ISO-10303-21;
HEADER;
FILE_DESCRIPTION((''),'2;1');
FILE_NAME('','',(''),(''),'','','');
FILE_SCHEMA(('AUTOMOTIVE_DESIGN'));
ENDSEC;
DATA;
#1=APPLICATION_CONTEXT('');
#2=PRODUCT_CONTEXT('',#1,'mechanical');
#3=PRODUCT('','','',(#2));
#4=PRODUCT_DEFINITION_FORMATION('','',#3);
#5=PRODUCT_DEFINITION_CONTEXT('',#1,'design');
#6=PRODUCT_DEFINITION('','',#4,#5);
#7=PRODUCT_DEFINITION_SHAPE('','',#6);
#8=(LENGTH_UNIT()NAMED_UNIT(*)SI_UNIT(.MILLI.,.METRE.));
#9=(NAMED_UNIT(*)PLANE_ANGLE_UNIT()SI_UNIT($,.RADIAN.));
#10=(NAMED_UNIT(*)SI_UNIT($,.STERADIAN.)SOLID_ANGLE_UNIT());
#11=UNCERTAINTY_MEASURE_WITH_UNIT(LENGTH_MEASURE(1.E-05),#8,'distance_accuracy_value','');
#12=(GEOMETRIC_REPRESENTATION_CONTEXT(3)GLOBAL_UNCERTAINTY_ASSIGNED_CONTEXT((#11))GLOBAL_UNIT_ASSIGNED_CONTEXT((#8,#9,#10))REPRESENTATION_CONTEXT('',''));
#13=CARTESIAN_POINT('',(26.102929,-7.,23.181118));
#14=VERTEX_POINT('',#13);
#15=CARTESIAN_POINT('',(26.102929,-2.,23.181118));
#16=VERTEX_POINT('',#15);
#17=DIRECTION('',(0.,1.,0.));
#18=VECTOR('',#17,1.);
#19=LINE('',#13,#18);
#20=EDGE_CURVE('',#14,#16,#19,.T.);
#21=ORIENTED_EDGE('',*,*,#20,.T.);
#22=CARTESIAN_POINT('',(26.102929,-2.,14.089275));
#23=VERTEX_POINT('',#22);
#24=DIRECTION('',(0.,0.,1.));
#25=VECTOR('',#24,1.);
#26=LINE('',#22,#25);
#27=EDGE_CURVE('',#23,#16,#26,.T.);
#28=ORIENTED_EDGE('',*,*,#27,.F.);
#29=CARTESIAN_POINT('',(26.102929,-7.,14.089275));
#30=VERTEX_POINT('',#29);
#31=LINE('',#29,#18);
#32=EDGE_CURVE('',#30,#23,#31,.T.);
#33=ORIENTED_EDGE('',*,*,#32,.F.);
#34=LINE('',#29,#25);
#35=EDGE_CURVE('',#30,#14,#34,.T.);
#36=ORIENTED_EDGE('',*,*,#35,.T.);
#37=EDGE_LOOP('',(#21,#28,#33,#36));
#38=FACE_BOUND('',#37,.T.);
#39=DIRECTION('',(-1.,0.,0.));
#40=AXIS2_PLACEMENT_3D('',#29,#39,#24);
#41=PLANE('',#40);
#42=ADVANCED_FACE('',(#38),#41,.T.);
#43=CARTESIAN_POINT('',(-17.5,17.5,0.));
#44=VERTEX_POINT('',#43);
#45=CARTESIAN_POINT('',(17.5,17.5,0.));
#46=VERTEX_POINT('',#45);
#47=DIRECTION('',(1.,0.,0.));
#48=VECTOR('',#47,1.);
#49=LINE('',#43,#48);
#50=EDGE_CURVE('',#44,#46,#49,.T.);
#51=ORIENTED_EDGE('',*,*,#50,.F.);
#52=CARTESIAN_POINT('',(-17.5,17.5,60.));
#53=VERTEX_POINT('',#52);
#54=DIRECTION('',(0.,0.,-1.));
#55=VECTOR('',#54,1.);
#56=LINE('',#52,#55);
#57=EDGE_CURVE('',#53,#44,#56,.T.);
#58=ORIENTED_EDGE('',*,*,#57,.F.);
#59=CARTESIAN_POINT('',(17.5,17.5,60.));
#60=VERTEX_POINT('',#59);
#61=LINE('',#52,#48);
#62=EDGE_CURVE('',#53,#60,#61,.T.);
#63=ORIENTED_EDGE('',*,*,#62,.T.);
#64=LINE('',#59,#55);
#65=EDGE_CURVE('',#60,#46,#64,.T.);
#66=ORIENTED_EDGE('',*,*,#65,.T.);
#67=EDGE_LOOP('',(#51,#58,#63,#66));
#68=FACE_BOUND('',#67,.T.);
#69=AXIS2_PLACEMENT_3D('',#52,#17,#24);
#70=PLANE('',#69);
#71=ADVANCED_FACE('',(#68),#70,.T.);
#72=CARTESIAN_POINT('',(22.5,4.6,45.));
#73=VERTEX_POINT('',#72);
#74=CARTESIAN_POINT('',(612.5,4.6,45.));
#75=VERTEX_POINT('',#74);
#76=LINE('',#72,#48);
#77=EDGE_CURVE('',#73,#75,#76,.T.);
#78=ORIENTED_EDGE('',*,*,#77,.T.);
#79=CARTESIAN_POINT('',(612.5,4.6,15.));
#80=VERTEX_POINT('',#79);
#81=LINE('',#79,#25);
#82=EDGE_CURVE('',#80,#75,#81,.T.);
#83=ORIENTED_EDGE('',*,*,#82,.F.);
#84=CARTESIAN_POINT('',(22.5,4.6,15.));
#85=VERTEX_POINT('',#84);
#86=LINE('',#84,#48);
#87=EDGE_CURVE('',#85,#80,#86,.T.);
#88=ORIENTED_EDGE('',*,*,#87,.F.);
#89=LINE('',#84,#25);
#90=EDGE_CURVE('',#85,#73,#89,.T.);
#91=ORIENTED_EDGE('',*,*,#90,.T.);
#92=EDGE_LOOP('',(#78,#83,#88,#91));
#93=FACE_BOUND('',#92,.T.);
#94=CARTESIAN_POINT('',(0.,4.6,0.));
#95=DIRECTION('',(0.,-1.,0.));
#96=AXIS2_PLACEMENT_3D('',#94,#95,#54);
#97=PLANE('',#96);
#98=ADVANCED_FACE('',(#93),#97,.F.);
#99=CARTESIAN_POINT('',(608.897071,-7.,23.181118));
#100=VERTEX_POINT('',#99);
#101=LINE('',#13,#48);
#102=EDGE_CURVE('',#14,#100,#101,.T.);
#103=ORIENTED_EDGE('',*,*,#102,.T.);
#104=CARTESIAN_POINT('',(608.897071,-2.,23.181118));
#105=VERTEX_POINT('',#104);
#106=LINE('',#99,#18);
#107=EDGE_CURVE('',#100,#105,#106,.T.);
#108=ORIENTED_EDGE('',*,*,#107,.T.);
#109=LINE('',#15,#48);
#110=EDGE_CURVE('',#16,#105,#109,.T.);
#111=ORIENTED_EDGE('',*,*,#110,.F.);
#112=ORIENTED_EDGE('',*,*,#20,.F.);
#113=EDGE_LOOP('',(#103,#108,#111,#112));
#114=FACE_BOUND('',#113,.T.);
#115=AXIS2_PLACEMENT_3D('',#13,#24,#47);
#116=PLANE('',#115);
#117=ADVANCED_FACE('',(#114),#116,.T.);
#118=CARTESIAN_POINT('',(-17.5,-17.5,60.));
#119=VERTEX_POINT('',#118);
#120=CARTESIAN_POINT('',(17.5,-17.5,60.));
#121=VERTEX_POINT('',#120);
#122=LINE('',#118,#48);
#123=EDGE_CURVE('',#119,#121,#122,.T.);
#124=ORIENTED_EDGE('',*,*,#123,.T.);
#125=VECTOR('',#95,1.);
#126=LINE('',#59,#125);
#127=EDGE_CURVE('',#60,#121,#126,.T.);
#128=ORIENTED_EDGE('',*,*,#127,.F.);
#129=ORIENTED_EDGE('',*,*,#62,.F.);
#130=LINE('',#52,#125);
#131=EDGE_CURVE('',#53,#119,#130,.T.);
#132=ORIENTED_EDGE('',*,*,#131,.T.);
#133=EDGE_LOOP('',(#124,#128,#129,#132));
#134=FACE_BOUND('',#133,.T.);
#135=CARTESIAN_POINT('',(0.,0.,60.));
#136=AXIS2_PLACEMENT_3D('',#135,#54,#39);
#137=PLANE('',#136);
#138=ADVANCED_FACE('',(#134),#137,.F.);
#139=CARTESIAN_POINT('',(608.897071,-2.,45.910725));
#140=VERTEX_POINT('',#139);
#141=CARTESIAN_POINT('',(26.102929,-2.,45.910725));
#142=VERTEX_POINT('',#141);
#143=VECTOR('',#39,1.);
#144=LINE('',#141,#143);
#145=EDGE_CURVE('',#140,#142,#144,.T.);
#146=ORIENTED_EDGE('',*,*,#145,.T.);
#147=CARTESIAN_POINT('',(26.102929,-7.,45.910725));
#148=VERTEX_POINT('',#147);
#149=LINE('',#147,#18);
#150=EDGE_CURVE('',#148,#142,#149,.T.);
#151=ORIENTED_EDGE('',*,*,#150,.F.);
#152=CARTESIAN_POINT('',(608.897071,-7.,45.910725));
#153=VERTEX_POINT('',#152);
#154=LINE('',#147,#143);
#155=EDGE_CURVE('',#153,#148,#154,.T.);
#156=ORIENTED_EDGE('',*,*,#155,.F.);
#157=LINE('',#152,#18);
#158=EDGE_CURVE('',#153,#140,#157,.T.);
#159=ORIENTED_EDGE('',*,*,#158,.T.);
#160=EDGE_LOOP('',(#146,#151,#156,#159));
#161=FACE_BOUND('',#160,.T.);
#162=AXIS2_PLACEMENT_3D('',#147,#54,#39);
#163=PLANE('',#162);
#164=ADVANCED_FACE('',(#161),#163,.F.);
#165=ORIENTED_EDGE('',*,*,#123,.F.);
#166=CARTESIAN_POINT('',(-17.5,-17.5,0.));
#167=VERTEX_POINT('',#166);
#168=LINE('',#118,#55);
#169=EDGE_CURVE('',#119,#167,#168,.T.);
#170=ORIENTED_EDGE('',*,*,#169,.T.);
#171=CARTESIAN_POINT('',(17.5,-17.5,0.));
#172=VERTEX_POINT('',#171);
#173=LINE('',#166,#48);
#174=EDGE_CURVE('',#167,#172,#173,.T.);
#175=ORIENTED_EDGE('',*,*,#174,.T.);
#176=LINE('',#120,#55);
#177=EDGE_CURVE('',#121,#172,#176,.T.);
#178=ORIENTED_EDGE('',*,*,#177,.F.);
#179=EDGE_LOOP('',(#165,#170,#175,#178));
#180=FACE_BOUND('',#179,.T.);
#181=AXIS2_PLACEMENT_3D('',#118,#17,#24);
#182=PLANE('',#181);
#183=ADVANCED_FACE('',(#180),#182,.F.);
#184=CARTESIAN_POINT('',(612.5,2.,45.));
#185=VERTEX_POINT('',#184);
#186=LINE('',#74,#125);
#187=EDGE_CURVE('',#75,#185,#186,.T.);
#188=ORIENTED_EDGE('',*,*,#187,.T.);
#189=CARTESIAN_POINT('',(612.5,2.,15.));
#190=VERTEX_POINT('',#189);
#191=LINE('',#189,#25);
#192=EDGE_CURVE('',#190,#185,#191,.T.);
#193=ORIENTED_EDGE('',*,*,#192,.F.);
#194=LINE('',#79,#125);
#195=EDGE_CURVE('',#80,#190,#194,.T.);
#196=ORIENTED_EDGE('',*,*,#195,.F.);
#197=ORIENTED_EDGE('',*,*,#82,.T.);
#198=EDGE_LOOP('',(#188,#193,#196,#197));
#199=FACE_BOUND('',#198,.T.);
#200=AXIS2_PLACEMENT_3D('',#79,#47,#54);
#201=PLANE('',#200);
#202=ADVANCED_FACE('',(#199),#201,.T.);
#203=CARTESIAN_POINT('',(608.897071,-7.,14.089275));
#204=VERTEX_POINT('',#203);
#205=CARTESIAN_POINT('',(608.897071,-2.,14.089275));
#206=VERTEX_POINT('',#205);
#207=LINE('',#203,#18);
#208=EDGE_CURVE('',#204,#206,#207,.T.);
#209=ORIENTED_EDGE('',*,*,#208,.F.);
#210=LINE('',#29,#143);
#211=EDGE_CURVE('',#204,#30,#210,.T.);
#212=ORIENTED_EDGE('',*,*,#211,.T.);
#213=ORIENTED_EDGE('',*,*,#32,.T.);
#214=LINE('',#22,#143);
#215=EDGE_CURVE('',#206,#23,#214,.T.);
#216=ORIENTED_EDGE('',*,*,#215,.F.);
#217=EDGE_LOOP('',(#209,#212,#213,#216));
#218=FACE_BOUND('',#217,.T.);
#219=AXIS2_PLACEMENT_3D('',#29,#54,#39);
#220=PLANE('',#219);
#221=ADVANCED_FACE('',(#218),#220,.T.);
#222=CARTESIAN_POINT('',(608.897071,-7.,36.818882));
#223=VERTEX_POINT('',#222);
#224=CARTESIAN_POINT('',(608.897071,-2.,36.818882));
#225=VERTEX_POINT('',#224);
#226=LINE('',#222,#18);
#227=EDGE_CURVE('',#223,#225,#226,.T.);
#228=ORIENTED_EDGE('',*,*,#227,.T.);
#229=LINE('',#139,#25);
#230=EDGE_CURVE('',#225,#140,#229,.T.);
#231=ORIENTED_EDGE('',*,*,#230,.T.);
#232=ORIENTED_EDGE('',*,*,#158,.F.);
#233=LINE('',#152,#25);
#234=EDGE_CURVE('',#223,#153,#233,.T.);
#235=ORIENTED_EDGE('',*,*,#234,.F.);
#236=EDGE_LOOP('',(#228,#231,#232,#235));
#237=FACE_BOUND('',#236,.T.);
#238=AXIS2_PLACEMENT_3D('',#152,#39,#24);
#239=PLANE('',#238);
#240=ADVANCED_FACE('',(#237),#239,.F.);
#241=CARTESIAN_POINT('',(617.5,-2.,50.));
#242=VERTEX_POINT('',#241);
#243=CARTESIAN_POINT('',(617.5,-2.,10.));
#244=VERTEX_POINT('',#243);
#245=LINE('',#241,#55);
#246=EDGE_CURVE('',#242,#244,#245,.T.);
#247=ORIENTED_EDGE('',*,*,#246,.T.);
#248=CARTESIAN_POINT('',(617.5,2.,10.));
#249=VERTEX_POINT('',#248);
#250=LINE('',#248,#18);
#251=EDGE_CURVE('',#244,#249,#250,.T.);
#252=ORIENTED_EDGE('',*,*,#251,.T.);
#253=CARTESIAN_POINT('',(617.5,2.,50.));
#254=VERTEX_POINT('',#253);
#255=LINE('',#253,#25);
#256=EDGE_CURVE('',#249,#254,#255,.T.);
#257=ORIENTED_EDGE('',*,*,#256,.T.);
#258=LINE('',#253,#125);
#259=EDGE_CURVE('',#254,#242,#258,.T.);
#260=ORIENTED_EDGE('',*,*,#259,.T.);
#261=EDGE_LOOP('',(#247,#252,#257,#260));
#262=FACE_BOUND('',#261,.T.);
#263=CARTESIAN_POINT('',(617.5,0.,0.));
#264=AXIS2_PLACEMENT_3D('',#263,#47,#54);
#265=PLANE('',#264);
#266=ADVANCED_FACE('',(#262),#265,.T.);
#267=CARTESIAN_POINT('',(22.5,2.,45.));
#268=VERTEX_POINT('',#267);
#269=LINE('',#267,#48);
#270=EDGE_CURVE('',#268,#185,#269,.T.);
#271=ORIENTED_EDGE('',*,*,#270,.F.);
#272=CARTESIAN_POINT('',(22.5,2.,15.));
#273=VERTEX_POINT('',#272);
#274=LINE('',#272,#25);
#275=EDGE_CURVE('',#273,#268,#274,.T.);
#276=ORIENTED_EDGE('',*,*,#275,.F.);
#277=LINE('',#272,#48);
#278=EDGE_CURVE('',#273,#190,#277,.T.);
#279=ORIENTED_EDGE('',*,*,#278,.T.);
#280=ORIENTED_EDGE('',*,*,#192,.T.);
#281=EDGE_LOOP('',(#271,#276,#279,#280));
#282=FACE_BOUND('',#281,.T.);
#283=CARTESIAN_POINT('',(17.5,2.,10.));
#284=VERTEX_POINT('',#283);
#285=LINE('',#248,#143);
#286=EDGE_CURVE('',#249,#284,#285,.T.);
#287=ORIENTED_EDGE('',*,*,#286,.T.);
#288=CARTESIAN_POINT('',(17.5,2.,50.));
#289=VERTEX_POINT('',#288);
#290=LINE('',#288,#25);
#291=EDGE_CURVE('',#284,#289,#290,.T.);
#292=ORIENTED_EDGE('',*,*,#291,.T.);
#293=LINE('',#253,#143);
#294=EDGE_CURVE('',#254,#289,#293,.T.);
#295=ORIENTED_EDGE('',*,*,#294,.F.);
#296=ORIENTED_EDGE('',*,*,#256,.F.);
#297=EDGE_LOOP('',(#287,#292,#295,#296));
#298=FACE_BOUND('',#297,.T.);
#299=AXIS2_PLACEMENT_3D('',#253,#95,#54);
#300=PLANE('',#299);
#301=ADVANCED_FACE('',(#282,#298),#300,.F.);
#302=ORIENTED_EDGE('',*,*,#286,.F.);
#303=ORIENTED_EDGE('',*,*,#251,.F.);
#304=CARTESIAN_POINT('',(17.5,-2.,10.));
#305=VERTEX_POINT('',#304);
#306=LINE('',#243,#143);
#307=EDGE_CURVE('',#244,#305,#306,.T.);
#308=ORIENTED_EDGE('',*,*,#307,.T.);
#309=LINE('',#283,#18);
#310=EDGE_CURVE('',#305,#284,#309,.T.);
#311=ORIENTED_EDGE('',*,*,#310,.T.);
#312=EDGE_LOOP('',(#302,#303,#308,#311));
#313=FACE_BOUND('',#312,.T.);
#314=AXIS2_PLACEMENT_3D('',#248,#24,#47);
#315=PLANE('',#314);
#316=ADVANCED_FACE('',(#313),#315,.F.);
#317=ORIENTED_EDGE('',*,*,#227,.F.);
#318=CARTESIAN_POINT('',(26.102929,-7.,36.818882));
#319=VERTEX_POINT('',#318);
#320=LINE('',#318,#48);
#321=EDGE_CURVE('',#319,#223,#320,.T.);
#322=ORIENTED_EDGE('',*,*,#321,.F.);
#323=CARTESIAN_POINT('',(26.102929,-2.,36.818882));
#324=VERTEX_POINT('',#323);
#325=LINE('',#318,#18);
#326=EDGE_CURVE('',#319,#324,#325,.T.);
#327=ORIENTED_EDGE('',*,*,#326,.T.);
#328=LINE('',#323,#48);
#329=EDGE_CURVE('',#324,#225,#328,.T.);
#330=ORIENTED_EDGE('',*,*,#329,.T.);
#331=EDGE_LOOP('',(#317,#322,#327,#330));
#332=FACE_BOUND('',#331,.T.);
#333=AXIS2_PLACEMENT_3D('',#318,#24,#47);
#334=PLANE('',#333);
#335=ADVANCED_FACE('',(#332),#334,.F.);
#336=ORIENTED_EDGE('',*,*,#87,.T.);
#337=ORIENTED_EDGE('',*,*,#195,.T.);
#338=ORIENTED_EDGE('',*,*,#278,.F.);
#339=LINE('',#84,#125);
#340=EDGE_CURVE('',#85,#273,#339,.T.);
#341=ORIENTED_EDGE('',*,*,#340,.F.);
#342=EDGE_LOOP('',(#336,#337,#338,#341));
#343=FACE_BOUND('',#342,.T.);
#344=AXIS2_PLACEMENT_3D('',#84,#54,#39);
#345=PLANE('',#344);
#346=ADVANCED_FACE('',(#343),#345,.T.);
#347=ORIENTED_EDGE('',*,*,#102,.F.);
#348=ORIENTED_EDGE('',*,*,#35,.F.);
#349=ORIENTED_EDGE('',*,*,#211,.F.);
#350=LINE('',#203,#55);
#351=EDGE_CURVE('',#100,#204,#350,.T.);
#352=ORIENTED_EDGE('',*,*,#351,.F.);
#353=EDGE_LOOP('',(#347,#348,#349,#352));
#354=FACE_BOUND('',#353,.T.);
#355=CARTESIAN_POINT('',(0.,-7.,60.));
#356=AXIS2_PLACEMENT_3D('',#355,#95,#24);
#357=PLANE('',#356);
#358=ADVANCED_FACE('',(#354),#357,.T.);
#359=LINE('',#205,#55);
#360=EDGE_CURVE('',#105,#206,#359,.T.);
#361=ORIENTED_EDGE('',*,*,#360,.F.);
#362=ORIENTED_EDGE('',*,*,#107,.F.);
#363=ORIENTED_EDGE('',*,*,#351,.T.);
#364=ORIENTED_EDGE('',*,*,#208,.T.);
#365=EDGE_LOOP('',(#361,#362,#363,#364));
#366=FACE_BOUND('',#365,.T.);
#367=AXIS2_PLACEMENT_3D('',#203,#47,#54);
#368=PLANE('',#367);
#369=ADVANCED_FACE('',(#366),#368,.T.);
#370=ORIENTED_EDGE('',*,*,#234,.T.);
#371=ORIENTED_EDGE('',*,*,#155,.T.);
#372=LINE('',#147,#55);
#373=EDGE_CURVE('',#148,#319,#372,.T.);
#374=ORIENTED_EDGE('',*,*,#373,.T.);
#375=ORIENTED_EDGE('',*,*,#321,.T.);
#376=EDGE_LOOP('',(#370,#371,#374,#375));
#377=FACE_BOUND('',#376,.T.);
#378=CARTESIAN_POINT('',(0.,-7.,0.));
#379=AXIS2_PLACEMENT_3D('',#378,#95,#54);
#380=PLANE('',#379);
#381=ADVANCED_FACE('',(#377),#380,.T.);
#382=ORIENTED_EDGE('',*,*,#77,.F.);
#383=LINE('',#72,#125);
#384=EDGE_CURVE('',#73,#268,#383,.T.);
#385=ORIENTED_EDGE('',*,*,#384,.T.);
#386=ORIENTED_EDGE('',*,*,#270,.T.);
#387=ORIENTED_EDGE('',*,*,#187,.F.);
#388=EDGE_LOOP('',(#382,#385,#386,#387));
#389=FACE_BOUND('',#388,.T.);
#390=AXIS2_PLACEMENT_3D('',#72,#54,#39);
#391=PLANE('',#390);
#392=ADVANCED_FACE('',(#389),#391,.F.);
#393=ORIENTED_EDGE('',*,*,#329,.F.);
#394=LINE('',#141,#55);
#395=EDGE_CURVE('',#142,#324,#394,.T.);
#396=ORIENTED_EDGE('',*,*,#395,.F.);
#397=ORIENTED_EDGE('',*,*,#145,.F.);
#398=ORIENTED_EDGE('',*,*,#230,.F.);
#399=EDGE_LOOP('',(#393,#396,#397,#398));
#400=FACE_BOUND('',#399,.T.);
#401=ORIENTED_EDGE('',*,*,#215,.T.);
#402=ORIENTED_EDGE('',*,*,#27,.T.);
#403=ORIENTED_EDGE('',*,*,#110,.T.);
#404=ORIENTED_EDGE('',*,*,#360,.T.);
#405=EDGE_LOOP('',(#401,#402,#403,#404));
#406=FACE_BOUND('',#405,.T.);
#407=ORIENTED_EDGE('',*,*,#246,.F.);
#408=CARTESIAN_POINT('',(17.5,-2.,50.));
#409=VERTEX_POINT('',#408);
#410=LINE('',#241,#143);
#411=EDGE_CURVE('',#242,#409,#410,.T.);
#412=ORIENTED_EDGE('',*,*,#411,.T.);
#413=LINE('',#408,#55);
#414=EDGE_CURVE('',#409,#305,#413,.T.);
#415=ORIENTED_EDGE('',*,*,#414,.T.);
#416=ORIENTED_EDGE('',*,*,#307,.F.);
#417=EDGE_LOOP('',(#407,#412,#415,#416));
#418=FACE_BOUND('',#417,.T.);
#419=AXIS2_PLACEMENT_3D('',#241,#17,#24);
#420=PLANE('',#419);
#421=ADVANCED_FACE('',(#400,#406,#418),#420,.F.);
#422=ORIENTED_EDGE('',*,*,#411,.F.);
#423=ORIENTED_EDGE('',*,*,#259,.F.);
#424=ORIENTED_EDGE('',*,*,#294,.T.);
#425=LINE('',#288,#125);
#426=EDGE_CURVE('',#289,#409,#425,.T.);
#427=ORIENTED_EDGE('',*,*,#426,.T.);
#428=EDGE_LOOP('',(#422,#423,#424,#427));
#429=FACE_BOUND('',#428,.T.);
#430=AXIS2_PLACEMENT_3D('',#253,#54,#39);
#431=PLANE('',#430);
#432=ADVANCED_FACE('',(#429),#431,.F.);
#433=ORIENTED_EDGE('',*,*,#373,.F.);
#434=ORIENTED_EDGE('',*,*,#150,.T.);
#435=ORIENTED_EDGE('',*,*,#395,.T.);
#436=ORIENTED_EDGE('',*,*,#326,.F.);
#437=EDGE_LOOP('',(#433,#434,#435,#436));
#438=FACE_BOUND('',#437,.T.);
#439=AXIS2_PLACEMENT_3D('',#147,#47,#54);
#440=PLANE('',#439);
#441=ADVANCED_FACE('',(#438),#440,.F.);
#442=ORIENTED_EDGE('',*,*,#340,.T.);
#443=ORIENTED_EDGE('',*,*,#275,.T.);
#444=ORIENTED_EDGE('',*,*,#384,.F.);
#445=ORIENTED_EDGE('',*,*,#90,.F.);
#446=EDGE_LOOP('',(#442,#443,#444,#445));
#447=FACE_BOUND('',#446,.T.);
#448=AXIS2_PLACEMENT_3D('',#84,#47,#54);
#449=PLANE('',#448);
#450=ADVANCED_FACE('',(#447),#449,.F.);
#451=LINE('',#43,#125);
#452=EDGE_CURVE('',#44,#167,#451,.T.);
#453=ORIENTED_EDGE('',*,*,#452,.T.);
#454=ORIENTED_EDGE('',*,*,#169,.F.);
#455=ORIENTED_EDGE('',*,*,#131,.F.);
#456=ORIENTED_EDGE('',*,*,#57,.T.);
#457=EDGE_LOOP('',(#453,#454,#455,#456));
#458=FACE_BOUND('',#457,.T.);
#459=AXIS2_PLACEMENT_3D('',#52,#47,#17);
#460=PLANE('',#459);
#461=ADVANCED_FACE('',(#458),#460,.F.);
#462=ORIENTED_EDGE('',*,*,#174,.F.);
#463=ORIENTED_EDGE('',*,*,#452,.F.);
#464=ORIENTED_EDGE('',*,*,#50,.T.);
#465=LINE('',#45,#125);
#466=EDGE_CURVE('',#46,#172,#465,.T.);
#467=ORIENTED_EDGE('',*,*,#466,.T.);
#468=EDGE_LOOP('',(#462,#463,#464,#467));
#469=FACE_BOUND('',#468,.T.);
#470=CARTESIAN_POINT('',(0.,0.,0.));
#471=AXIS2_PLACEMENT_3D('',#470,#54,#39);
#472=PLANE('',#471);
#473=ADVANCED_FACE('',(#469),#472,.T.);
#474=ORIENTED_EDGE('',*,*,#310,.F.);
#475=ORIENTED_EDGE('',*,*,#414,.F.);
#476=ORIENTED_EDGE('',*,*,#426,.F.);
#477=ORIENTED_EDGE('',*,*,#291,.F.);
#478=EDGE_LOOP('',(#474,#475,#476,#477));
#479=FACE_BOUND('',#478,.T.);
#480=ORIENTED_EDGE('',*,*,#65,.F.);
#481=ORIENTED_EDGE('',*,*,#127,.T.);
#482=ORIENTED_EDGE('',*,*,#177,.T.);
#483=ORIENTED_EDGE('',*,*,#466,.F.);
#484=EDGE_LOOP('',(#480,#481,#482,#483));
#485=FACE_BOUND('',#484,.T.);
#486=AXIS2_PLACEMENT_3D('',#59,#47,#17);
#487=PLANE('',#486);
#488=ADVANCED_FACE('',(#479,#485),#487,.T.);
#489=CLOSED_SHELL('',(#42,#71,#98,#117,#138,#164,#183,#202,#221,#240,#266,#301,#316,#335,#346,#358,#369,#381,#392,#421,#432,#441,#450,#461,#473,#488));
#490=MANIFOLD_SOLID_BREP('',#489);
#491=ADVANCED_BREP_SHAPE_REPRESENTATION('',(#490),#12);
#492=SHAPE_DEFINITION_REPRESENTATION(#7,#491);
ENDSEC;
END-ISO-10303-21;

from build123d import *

# Parameters (mm, degrees)
SKETCH1_W           = 35
SKETCH1_H           = 35
BOSS_EXTRUDE1_DEPTH = 60
SKETCH2_W           = 40
SKETCH2_H           = 4
BOSS_EXTRUDE2_DEPTH = 600
SKETCH3_W           = 590
SKETCH3_H           = 30
BOSS_EXTRUDE3_DEPTH = 2.6
SKETCH4_W           = 582.794141244
SKETCH4_H           = 9.091842743
BOSS_EXTRUDE6_DEPTH = 5


with BuildPart() as part:
    # Sketch1 → Boss-Extrude1 (new body)
    with BuildSketch(Plane.XY):
        Rectangle(SKETCH1_W, SKETCH1_H)
    extrude(amount=BOSS_EXTRUDE1_DEPTH)

    # Sketch2 → Boss-Extrude2 (add)
    with BuildSketch(Plane(origin=(17.5, 0, 0), x_dir=(0, 0, -1), z_dir=(1, 0, 0))):
        with Locations((-30, 0)):
            Rectangle(SKETCH2_W, SKETCH2_H)
    extrude(amount=BOSS_EXTRUDE2_DEPTH)

    # Sketch3 → Boss-Extrude3 (add)
    with BuildSketch(Plane(origin=(0, 2, 0), x_dir=(1, 0, 0), z_dir=(0, 1, 0))):
        with Locations((317.5, -30)):
            Rectangle(SKETCH3_W, SKETCH3_H)
    extrude(amount=BOSS_EXTRUDE3_DEPTH)

    # Sketch4 → Boss-Extrude6 (add)
    with BuildSketch(Plane.XZ.offset(2)):
        with Locations((317.5, 41.36480343)):
            Rectangle(SKETCH4_W, SKETCH4_H)
    boss_extrude6 = extrude(amount=BOSS_EXTRUDE6_DEPTH)

    # Mirror1: Boss-Extrude6 across plane
    add(boss_extrude6.mirror(Plane.XY.offset(30)))


solid = part.part
